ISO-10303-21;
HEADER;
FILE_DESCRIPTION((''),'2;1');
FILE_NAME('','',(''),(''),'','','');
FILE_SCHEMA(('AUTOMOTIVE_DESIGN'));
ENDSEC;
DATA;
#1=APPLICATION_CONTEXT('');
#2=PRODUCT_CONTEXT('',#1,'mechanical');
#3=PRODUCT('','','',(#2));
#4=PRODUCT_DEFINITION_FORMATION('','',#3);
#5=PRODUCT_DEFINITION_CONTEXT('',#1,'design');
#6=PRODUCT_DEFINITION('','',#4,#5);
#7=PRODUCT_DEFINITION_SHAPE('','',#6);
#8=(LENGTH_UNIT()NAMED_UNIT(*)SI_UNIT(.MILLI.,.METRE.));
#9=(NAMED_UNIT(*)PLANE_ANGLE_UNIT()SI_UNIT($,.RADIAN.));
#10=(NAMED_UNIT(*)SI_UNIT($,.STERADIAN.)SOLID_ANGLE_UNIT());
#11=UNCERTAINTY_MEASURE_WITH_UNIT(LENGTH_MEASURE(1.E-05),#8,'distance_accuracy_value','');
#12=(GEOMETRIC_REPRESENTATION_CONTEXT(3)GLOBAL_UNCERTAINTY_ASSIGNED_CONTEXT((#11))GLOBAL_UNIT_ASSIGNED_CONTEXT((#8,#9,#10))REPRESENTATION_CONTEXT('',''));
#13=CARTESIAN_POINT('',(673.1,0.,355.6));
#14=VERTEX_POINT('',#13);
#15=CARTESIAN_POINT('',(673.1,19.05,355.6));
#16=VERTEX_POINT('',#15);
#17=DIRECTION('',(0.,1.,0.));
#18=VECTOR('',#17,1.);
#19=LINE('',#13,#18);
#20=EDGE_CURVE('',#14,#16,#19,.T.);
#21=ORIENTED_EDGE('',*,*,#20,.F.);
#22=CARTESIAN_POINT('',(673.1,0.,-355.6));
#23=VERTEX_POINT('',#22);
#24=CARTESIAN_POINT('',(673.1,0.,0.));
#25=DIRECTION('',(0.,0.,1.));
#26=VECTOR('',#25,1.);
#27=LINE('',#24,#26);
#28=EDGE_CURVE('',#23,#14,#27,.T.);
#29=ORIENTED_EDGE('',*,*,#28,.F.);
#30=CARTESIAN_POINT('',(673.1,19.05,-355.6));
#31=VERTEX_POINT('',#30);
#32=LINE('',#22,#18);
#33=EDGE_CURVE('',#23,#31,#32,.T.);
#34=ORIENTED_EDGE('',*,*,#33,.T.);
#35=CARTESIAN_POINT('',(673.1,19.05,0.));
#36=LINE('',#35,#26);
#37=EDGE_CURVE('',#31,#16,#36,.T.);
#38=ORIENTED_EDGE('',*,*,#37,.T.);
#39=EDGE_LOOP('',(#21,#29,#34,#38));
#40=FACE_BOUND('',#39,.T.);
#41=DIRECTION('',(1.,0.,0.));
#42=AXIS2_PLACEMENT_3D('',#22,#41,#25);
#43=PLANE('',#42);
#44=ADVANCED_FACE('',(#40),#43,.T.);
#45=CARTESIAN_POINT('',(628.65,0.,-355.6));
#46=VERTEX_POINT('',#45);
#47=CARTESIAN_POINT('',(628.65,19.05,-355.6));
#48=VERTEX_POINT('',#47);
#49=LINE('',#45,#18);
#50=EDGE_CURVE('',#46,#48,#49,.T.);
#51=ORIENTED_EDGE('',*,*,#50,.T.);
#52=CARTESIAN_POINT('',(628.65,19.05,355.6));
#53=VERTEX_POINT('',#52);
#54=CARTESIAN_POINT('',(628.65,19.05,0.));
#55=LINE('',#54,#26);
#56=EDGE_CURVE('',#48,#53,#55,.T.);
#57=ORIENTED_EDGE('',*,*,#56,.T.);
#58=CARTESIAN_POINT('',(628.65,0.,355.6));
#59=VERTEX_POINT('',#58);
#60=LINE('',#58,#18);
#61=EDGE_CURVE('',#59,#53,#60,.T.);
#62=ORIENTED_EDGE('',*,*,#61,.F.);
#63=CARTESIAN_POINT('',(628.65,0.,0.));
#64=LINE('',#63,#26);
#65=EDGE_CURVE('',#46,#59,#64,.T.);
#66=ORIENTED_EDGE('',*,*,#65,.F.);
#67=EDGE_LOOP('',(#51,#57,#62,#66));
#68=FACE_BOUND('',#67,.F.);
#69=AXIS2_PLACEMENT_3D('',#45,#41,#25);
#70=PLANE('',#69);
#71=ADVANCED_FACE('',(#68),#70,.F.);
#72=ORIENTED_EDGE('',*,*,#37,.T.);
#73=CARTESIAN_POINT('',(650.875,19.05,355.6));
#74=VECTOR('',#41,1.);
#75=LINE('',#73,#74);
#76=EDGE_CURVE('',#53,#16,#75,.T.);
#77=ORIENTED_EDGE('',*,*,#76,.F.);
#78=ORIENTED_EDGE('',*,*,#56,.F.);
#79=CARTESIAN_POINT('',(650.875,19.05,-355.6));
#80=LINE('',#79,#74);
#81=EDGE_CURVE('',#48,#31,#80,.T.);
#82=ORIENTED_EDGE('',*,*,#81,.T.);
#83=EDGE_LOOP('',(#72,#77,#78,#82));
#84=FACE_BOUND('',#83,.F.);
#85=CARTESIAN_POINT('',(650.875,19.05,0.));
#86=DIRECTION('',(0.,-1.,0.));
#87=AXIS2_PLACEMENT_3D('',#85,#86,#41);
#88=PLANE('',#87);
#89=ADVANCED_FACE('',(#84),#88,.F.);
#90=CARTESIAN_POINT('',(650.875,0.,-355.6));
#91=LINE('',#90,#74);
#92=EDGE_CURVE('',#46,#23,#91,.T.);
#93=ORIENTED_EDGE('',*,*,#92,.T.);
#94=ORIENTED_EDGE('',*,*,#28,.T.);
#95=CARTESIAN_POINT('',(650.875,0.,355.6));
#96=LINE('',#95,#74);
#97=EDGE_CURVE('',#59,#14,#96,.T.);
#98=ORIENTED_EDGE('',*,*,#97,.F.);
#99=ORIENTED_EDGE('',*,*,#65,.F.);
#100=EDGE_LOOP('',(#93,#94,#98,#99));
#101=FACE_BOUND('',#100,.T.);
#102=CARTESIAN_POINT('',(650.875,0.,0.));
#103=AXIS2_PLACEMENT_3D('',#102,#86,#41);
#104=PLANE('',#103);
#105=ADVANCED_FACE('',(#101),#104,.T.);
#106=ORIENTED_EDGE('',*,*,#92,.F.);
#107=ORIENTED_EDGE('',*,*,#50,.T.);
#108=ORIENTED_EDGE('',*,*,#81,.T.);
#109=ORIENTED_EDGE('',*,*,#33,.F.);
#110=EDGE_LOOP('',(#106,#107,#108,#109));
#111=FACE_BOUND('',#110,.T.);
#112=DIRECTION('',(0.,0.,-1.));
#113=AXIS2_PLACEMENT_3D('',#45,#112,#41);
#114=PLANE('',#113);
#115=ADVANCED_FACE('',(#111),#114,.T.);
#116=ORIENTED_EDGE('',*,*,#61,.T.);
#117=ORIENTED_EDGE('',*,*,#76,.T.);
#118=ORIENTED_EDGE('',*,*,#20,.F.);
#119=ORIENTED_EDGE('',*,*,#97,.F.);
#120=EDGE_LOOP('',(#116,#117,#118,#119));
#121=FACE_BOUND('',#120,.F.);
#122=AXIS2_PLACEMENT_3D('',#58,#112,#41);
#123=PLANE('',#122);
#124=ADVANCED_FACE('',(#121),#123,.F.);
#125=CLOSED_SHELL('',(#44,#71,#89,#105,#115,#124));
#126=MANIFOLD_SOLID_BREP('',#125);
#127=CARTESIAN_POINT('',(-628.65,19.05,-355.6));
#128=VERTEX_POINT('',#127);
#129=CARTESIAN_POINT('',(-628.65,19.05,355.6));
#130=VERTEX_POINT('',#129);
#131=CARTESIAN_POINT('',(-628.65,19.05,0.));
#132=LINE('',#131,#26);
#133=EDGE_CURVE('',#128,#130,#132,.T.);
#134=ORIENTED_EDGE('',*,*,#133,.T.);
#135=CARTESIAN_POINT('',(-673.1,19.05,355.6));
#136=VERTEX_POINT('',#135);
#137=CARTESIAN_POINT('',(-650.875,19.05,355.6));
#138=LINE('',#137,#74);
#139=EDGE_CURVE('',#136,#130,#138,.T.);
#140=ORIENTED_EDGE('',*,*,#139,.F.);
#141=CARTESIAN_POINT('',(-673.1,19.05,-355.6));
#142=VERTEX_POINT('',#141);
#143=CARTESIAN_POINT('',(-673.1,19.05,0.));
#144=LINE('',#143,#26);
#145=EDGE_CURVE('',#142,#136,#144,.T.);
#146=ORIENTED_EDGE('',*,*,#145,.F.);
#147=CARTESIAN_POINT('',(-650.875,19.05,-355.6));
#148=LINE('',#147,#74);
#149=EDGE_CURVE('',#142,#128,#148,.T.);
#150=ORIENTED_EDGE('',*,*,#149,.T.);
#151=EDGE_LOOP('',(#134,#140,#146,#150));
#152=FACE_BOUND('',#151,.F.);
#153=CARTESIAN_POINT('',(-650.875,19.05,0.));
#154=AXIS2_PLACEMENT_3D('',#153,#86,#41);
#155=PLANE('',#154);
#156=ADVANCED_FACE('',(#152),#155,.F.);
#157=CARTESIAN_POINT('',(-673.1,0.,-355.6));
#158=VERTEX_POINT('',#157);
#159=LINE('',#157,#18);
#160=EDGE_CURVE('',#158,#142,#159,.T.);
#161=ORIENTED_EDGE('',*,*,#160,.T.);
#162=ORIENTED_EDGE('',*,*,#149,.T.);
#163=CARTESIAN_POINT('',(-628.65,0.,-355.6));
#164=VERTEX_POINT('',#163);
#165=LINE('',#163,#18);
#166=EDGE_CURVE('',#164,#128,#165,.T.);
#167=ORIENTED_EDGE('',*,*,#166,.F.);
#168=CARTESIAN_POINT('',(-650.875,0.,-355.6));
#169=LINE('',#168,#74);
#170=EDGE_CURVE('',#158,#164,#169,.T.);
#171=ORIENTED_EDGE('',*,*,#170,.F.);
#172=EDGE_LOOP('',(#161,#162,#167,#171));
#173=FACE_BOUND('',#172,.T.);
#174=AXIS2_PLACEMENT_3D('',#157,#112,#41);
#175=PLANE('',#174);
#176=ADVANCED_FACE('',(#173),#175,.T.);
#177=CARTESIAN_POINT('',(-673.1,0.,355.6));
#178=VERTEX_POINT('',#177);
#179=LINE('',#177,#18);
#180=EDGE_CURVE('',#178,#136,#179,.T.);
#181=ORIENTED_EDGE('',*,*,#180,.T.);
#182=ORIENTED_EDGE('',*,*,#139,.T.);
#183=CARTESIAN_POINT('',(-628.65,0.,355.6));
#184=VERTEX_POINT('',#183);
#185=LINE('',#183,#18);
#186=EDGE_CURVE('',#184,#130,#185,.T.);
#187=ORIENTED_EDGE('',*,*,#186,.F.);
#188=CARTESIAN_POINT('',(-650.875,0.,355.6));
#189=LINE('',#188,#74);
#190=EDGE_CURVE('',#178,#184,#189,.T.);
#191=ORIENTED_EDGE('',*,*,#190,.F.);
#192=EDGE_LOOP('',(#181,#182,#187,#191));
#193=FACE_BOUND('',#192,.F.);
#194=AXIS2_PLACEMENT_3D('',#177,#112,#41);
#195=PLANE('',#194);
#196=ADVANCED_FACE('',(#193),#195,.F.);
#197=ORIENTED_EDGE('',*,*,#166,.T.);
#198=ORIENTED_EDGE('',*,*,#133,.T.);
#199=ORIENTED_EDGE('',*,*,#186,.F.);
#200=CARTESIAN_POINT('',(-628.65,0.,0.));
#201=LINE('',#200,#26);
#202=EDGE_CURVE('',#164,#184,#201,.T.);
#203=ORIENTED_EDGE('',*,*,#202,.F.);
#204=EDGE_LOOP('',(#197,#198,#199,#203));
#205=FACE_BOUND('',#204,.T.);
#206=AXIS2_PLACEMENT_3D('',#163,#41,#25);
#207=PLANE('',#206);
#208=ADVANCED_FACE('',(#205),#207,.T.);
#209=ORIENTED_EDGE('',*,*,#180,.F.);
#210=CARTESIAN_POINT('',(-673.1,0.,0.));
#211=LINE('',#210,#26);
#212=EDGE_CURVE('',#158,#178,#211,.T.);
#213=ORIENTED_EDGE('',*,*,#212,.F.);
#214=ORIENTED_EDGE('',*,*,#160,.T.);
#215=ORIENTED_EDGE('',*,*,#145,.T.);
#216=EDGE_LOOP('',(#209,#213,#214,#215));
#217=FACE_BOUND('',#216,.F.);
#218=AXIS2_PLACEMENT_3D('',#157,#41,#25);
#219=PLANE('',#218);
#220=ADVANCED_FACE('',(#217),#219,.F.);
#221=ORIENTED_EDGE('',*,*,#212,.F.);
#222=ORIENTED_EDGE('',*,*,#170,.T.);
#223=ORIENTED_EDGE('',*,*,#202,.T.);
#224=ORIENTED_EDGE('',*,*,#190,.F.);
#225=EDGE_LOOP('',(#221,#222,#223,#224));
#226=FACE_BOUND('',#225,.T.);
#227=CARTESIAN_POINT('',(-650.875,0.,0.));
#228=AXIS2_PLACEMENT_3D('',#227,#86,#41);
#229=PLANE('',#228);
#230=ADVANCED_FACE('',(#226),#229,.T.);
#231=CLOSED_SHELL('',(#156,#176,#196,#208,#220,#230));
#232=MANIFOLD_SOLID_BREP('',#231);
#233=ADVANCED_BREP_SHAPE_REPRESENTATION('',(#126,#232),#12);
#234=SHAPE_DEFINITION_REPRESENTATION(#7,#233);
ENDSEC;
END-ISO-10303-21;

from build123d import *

# Parameters (mm, degrees)
F0_W     = 44.45
F0_H     = 711.2
F1_DEPTH = 19.05


with BuildPart() as f1:
    # F0 (on Front) → F1 (new body)
    with BuildSketch(Plane.XZ):
        with Locations((650.875, 0)):
            Rectangle(F0_W, F0_H)
        with Locations((-650.875, 0)):
            Rectangle(F0_W, F0_H)
    extrude(amount=-F1_DEPTH)


solid = f1.part
